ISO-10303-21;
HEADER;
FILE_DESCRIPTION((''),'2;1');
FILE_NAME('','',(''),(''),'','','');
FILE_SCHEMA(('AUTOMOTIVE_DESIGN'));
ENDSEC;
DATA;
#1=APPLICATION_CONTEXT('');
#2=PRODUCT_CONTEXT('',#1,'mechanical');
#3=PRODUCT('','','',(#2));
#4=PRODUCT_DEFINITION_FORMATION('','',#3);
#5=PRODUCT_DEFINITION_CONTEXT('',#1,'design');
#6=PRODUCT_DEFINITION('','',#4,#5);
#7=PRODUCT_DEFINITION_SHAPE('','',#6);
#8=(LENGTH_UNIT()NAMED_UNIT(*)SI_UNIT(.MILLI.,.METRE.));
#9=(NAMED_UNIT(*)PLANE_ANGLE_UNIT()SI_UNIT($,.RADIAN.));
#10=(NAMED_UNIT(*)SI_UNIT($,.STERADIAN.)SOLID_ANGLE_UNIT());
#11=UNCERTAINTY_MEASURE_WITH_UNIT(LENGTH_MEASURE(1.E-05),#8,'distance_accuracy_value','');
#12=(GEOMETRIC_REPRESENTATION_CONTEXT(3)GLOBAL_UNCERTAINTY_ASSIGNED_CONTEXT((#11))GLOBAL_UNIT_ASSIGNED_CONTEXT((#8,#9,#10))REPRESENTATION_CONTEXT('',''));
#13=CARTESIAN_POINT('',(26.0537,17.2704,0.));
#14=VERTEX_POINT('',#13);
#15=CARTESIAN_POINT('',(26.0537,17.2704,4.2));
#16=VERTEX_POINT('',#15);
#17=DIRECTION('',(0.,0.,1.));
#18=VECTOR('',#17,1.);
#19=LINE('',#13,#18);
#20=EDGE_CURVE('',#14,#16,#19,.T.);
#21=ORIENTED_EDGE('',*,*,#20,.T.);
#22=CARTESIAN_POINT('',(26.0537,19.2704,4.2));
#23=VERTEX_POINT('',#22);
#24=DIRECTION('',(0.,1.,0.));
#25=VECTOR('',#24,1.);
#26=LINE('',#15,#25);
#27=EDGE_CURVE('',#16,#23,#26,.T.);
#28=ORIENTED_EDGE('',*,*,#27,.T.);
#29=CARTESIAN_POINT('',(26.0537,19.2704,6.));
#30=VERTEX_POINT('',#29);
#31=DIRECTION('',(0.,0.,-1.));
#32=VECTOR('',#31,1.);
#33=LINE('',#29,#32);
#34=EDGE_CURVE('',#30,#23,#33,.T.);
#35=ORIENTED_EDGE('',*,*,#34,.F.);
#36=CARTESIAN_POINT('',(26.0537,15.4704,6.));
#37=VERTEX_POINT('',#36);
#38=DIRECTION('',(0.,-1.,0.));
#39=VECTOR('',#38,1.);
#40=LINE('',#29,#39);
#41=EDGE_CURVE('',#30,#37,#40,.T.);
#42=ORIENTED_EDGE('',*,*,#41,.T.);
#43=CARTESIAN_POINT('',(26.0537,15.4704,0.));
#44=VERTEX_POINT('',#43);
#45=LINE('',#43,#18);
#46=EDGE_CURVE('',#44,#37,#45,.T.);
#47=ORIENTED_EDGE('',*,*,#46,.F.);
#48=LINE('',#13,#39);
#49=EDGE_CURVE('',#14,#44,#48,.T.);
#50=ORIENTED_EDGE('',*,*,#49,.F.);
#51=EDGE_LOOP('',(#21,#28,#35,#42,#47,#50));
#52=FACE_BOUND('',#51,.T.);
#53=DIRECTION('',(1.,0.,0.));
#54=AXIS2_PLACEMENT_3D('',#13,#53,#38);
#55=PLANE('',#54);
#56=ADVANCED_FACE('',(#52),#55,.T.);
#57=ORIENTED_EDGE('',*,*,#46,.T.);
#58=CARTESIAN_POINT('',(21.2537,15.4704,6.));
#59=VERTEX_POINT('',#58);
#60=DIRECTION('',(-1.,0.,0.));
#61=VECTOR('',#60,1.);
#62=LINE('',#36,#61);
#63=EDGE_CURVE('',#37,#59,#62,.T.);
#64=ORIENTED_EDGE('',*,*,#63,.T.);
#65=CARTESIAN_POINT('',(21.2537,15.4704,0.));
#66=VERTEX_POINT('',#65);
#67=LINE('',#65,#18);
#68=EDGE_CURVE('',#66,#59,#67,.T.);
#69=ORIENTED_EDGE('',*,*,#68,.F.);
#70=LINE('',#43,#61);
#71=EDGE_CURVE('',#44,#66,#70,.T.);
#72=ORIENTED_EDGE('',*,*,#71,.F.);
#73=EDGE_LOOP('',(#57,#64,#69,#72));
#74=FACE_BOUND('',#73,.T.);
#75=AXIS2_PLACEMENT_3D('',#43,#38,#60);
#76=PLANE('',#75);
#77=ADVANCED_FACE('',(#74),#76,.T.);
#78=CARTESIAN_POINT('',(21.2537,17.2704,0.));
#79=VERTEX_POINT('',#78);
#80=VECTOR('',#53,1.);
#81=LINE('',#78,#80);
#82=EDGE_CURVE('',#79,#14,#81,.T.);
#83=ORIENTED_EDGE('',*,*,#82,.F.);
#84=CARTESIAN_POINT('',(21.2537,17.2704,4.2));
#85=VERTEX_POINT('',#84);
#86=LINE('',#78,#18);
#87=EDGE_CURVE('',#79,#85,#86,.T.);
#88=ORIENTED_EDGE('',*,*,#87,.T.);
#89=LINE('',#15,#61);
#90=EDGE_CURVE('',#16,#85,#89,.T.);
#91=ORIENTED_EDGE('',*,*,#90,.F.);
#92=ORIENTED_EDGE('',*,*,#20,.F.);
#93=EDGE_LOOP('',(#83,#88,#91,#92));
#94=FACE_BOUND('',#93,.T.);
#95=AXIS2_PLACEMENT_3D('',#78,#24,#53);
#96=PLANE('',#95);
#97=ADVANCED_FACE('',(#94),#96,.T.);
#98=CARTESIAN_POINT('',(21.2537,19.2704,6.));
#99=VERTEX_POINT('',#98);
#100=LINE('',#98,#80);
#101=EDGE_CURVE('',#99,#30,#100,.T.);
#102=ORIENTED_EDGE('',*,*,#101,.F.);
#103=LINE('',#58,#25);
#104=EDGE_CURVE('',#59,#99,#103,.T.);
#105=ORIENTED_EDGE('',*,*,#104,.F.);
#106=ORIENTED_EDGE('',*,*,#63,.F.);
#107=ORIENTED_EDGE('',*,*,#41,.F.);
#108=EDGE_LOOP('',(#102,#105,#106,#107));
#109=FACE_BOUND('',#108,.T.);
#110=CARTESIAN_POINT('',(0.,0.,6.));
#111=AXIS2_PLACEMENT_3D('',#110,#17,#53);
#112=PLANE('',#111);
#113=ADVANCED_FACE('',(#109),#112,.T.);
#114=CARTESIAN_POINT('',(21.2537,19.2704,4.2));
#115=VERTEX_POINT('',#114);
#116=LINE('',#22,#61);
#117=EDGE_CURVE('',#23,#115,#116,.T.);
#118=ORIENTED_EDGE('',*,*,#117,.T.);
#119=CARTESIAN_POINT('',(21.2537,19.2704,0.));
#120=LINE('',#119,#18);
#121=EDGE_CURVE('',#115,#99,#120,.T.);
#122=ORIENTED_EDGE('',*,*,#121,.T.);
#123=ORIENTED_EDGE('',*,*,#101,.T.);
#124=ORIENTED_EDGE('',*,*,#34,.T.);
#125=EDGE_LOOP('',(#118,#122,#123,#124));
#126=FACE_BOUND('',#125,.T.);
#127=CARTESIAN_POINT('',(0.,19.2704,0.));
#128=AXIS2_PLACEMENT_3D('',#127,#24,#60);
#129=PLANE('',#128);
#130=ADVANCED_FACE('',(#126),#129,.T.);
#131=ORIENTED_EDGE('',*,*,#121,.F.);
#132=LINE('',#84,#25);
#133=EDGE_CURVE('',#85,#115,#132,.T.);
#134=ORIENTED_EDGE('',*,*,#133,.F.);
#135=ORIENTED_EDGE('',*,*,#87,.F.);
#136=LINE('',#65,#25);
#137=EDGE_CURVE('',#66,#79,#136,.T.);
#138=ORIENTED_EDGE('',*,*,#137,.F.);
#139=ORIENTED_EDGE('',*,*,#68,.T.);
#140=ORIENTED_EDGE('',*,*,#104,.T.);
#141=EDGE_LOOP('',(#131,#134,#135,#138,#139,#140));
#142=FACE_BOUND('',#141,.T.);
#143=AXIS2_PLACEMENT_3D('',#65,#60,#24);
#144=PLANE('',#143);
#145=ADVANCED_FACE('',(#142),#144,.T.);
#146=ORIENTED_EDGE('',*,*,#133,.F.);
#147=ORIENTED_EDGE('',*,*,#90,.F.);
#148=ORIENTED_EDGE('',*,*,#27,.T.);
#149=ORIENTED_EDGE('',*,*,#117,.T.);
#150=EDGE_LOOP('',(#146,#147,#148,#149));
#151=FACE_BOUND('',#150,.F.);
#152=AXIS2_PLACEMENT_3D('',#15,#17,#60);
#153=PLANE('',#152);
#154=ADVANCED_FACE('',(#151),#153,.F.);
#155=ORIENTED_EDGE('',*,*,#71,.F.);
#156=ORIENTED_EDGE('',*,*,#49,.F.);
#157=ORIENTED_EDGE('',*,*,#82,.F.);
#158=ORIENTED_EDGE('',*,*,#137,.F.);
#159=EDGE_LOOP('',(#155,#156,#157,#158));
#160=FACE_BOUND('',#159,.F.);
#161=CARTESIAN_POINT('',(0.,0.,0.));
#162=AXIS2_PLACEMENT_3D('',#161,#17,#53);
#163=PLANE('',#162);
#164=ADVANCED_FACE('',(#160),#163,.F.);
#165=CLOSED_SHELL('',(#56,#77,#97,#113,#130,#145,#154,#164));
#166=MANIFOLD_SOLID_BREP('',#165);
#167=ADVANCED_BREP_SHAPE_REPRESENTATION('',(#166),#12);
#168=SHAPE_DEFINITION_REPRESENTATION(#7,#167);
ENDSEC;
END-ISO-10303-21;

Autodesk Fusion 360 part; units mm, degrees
sketch "Esquisse1" plane through (0, 0, 0) normal (0, 0, 1) x (1, 0, 0)
  line L0 (21.2537, 17.2704) -> (26.0537, 17.2704)
  line L1 (26.0537, 17.2704) -> (26.0537, 15.4704)
  line L2 (26.0537, 15.4704) -> (21.2537, 15.4704)
  line L3 (21.2537, 15.4704) -> (21.2537, 17.2704)
  dimension "d1" = 4.8
  dimension "d2" = 1.8
extrude "Extrusion1" add sketch "Esquisse1" along normal blind 6
sketch "Esquisse2" plane through (0, 17.2704, 0) normal (0, 1, 0) x (-1, 0, 0)
  line L0 (-26.0537, 0) -> (-21.2537, 0)
  line L1 (-21.2537, 0) -> (-21.2537, 6)
  line L2 (-21.2537, 6) -> (-26.0537, 6)
  line L3 (-26.0537, 6) -> (-26.0537, 0)
  line L4 (-21.2537, 6) -> (-26.0537, 6)
  line L5 (-26.0537, 6) -> (-26.0537, 4.2)
  line L6 (-26.0537, 4.2) -> (-21.2537, 4.2)
  line L7 (-21.2537, 4.2) -> (-21.2537, 6)
  dimension "d5" = 1.8
extrude "Extrusion2" add sketch "Esquisse2" along normal blind 2 contours L1 L2 L3 L4 L5 L6 L7
